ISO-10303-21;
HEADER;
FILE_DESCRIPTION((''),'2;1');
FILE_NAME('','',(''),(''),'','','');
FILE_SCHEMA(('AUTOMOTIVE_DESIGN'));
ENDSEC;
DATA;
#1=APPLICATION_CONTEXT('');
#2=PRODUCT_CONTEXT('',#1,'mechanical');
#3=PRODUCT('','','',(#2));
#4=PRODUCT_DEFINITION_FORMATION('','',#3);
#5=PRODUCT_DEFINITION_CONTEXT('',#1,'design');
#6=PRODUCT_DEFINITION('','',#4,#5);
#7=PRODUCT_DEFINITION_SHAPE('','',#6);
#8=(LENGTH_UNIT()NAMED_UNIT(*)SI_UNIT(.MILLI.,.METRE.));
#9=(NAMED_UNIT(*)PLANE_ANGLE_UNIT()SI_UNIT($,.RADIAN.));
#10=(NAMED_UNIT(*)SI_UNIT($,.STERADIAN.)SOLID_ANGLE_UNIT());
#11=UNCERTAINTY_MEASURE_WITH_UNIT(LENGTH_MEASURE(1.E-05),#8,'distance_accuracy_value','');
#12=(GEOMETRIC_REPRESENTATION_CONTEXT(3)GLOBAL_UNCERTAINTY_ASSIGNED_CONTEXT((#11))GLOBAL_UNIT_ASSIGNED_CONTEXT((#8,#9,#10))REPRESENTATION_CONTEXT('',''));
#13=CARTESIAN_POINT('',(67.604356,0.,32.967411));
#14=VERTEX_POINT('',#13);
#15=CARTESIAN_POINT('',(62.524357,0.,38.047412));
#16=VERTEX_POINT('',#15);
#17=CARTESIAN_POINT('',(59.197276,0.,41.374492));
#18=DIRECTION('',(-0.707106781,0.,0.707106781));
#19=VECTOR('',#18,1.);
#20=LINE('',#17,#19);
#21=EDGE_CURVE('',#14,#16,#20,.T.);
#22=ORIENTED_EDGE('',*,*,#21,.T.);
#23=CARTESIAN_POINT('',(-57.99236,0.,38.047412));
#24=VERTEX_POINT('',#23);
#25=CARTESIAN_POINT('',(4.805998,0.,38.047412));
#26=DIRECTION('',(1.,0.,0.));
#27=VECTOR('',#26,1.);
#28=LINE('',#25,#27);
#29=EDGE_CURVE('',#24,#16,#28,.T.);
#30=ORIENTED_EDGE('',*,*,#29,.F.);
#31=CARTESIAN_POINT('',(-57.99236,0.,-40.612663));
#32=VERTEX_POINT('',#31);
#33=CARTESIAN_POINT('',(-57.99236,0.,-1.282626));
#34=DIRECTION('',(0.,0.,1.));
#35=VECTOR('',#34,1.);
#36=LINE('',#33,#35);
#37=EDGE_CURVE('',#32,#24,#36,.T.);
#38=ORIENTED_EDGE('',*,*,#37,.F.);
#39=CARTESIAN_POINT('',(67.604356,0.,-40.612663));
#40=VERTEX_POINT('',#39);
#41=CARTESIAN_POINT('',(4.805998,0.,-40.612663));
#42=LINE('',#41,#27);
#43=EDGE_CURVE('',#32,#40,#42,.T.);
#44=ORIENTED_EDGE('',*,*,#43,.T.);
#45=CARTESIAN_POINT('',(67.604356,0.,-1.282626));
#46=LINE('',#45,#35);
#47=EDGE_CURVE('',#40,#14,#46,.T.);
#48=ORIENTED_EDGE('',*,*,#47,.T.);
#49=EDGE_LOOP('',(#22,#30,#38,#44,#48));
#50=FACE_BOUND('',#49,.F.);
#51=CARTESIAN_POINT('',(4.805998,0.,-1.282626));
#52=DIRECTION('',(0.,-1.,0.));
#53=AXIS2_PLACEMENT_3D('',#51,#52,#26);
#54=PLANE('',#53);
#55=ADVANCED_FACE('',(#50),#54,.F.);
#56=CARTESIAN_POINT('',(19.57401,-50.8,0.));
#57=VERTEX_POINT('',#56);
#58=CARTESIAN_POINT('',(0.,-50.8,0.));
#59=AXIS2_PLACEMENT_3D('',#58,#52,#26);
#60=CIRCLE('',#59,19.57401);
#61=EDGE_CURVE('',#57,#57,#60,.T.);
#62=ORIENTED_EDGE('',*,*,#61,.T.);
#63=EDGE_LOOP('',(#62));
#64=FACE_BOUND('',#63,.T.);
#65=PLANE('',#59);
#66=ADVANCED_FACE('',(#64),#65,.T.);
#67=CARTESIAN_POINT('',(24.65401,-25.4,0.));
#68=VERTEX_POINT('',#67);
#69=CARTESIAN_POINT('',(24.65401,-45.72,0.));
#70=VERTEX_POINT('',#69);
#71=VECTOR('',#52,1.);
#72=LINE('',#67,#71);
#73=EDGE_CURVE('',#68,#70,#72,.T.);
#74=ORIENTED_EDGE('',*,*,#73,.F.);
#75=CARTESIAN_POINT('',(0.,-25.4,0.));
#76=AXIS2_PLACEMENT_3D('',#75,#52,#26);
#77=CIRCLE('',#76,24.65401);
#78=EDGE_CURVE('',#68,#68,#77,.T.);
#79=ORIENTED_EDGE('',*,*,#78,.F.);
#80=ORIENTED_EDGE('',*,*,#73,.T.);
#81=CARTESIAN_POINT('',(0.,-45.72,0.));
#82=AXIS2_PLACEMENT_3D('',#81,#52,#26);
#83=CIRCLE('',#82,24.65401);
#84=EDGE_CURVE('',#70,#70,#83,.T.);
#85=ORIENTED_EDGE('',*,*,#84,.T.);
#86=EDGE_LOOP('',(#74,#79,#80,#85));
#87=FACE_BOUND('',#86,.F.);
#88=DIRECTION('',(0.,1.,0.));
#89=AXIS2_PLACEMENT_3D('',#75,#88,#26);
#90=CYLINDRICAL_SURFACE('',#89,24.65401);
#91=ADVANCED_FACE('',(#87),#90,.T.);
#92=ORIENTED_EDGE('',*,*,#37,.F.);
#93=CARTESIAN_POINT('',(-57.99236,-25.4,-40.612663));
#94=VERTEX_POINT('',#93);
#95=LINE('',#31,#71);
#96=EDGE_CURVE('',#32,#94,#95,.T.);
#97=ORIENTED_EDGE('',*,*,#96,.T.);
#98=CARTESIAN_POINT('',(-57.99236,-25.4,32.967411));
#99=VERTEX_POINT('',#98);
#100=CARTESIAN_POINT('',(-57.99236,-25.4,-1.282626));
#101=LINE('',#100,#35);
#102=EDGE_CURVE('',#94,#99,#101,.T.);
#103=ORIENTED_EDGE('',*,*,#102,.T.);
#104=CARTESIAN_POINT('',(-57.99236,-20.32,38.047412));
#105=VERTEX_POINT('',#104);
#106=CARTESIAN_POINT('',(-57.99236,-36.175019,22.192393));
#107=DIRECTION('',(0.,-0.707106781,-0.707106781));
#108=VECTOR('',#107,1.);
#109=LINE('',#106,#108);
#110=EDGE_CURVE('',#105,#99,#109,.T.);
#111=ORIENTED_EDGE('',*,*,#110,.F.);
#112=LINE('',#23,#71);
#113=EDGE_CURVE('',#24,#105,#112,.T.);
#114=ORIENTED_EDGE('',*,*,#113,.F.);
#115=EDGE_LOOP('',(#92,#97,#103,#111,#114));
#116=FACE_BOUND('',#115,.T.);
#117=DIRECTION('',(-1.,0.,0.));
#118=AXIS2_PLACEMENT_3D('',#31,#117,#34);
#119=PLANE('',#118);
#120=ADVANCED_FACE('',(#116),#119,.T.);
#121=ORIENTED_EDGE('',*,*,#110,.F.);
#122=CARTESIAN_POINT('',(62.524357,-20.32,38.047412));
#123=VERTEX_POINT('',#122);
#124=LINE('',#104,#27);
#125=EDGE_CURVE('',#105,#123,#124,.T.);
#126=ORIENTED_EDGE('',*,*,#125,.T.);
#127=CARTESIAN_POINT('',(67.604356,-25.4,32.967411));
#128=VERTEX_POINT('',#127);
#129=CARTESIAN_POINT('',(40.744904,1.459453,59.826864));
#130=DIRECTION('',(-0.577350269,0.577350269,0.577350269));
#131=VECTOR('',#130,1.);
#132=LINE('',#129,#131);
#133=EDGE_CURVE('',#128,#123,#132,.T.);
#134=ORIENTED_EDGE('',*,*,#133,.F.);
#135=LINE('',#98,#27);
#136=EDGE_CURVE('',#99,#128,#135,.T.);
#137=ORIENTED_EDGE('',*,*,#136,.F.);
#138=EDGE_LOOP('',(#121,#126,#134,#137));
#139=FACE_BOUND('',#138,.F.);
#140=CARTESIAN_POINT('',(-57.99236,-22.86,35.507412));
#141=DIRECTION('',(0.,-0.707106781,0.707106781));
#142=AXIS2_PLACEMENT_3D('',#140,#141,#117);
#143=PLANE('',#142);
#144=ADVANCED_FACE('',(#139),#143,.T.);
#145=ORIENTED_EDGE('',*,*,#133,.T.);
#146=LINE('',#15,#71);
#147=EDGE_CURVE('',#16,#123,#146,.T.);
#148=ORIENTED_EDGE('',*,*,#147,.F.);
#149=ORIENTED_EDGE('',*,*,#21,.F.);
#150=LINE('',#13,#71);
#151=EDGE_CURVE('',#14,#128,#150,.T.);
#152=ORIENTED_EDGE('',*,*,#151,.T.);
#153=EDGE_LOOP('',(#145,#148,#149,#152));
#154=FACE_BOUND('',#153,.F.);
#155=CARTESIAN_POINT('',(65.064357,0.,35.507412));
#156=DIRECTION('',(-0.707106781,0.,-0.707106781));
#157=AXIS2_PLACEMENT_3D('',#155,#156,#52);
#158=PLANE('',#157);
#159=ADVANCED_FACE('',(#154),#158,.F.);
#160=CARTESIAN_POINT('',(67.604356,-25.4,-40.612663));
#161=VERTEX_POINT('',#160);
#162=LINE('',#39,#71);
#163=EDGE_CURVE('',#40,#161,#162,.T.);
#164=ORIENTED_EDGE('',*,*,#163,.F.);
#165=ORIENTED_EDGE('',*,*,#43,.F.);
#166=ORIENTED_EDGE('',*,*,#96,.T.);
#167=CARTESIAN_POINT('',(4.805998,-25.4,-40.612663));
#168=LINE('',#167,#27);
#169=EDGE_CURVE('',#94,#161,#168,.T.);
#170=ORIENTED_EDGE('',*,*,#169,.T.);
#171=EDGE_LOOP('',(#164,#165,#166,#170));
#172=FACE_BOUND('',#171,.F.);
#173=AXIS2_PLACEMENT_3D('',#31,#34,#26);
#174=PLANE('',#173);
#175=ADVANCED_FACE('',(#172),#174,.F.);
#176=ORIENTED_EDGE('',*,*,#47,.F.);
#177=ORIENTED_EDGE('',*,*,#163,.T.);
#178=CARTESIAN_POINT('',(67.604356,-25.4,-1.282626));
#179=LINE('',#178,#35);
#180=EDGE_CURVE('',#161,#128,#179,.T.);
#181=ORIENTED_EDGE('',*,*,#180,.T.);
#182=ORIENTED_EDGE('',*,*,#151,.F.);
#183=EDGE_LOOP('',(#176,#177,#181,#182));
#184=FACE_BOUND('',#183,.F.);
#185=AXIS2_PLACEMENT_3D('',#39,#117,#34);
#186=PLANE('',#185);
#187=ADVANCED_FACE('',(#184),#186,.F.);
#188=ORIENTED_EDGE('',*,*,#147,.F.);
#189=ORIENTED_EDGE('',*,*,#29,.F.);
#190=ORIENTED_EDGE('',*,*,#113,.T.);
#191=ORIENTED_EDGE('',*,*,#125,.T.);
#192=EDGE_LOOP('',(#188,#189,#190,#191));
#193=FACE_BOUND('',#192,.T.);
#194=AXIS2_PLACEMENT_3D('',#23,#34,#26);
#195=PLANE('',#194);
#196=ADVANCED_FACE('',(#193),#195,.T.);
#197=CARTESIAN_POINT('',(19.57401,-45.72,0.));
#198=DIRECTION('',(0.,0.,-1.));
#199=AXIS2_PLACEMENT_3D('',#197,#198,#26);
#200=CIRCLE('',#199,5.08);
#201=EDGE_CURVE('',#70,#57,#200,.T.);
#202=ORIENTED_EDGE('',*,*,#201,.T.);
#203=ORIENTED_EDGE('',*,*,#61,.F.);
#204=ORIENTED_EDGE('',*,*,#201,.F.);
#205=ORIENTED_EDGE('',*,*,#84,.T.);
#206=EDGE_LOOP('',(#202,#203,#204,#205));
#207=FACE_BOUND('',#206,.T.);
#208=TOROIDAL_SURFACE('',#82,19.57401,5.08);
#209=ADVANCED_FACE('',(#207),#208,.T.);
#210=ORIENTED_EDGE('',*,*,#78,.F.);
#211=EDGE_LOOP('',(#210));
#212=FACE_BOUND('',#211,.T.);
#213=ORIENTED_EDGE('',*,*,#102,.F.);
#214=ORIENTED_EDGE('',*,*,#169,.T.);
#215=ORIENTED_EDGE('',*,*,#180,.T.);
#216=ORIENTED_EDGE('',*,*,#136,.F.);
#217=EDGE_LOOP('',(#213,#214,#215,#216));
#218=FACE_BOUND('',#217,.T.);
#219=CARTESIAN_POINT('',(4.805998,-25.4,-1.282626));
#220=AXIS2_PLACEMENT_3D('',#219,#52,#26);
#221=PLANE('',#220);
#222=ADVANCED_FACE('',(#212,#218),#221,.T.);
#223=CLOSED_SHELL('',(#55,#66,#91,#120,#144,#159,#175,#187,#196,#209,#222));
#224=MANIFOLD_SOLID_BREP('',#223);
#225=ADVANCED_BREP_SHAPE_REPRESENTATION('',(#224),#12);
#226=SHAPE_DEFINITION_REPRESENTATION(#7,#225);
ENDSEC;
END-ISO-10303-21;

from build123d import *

# Parameters (mm, degrees)
F0_W     = 125.596717
F0_H     = 78.660075
F1_DEPTH = 25.4
F2_SIZE  = 5.08
F3_R     = 24.65401
F4_DEPTH = 25.4
F5_R     = 5.08


with BuildPart() as f1:
    # F0 (on Front) → F1 (new body)
    with BuildSketch(Plane.XZ):
        with Locations((4.805998, -1.282626)):
            Rectangle(F0_W, F0_H)
    extrude(amount=F1_DEPTH)

    # F2
    f2_edges = [f1.edges().sort_by_distance(p)[0] for p in [
        (67.604356, -12.7, 38.047411),
        (4.805997, -25.4, 38.047411),
    ]]
    chamfer(f2_edges, length=F2_SIZE)

    # F3 (on face) → F4 (join)
    with BuildSketch(Plane.XZ.offset(25.4)):
        Circle(F3_R)
    extrude(amount=F4_DEPTH)

    # F5
    f5_edges = [f1.edges().sort_by_distance(p)[0] for p in [
        (-24.65401, -50.8, 0),
    ]]
    fillet(f5_edges, radius=F5_R)


solid = f1.part
